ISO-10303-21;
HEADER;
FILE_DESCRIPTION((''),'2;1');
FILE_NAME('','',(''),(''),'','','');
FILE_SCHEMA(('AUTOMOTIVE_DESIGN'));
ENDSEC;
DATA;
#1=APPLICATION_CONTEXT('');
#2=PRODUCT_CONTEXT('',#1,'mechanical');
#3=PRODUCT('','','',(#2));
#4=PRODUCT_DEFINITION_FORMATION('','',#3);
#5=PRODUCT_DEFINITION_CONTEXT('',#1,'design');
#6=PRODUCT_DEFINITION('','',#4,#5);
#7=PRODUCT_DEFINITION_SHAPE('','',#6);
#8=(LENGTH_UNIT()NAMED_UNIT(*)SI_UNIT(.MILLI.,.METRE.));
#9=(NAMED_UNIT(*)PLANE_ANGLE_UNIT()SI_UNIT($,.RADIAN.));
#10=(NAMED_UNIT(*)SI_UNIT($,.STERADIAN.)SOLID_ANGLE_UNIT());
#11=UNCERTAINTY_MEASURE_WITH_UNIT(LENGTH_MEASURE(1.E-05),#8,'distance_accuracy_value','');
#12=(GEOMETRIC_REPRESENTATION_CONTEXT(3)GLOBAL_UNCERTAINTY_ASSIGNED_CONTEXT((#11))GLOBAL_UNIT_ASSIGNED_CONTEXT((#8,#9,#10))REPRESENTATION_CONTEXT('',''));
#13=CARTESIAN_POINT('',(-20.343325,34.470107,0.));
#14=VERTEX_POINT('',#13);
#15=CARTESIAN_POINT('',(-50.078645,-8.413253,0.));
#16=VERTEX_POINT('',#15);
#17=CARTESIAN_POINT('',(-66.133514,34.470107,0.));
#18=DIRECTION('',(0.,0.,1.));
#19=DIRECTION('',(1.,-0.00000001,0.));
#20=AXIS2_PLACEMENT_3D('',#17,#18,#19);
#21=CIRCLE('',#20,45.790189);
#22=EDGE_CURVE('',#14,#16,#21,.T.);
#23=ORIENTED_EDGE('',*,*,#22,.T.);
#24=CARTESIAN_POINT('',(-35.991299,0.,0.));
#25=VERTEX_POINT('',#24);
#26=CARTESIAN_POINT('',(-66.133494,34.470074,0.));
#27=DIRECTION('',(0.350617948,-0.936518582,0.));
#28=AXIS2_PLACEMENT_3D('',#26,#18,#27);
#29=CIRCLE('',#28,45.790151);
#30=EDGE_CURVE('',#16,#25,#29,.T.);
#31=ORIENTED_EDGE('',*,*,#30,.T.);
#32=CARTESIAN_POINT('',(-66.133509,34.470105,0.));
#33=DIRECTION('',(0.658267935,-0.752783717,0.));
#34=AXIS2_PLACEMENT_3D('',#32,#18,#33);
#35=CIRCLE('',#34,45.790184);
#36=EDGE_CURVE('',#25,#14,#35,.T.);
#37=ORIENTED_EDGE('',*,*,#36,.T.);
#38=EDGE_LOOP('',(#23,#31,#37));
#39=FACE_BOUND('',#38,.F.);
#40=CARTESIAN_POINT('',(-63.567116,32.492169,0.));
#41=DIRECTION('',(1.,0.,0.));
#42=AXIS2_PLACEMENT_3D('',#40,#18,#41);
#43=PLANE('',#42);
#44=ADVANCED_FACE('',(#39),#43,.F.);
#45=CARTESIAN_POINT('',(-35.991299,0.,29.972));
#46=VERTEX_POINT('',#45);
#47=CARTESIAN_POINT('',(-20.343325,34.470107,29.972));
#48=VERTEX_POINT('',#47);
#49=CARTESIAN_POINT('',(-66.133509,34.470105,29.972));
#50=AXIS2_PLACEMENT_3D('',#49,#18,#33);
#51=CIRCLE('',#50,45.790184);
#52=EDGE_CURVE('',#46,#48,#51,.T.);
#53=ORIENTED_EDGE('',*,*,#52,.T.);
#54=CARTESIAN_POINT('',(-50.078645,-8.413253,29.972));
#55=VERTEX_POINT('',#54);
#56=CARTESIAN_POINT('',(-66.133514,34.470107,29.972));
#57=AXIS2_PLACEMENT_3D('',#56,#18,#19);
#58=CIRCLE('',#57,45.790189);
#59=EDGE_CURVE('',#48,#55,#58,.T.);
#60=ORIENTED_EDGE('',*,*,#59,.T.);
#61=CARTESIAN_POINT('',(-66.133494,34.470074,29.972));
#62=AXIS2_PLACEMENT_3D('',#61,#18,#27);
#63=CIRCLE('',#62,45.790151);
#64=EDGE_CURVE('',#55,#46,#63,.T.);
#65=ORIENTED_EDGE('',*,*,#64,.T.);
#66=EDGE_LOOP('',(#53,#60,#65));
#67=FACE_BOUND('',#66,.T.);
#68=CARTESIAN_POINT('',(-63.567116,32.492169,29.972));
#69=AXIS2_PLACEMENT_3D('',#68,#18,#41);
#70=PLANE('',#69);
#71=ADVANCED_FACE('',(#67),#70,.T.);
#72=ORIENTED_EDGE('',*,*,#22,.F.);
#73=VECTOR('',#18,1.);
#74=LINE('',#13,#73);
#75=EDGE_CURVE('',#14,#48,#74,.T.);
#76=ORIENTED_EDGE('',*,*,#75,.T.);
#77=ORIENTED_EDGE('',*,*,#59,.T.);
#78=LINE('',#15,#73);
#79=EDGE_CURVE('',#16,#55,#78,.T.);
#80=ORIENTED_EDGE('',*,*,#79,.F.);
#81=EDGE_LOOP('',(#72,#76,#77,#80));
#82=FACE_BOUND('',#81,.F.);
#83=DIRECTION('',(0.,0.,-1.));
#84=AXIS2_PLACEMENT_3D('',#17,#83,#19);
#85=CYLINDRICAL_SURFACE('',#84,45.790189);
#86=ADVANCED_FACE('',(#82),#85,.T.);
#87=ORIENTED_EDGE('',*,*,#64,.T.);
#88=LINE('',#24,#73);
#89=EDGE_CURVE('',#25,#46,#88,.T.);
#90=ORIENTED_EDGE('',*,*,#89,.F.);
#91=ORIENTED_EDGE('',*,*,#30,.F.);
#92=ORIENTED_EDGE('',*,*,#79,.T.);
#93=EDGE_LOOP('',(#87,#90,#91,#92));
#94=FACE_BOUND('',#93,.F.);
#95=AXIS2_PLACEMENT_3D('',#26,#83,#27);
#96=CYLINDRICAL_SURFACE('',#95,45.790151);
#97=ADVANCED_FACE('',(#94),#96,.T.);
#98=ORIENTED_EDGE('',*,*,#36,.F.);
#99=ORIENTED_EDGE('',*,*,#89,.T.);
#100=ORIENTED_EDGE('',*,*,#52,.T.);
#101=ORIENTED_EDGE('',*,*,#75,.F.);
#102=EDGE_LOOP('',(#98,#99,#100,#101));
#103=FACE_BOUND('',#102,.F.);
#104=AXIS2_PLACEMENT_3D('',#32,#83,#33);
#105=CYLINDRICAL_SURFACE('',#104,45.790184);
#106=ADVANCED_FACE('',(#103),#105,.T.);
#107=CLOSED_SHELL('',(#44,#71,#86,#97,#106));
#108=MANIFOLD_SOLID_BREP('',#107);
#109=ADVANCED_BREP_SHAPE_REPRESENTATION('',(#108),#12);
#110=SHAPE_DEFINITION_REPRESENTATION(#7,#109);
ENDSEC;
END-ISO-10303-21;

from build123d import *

# Parameters (mm, degrees)
F1_DEPTH = 29.972


with BuildPart() as f1:
    # F0 (on Top) → F1 (new body)
    with BuildSketch(Plane.XY):
        with BuildLine():
            ThreePointArc((-50.078645, -6.35), (-48.218773, -1.859872), (-43.728645, 0))
            Line((-43.728645, 0), (-35.991299, 0))
            ThreePointArc((-35.991299, 0), (-24.438435, 15.542301), (-20.343325, 34.470107))
            ThreePointArc((-20.343325, 34.470107), (-103.762605, 60.562117), (-50.078645, -8.413253))
            Line((-50.078645, -8.413253), (-50.078645, -6.35))
        make_face()
        with BuildLine():
            Line((-35.991299, 0), (-43.728645, 0))
            ThreePointArc((-43.728645, 0), (-48.218773, -1.859872), (-50.078645, -6.35))
            Line((-50.078645, -6.35), (-50.078645, -8.413253))
            ThreePointArc((-50.078645, -8.413253), (-42.655048, -4.84278), (-35.991299, 0))
        make_face()
    extrude(amount=F1_DEPTH)


solid = f1.part
